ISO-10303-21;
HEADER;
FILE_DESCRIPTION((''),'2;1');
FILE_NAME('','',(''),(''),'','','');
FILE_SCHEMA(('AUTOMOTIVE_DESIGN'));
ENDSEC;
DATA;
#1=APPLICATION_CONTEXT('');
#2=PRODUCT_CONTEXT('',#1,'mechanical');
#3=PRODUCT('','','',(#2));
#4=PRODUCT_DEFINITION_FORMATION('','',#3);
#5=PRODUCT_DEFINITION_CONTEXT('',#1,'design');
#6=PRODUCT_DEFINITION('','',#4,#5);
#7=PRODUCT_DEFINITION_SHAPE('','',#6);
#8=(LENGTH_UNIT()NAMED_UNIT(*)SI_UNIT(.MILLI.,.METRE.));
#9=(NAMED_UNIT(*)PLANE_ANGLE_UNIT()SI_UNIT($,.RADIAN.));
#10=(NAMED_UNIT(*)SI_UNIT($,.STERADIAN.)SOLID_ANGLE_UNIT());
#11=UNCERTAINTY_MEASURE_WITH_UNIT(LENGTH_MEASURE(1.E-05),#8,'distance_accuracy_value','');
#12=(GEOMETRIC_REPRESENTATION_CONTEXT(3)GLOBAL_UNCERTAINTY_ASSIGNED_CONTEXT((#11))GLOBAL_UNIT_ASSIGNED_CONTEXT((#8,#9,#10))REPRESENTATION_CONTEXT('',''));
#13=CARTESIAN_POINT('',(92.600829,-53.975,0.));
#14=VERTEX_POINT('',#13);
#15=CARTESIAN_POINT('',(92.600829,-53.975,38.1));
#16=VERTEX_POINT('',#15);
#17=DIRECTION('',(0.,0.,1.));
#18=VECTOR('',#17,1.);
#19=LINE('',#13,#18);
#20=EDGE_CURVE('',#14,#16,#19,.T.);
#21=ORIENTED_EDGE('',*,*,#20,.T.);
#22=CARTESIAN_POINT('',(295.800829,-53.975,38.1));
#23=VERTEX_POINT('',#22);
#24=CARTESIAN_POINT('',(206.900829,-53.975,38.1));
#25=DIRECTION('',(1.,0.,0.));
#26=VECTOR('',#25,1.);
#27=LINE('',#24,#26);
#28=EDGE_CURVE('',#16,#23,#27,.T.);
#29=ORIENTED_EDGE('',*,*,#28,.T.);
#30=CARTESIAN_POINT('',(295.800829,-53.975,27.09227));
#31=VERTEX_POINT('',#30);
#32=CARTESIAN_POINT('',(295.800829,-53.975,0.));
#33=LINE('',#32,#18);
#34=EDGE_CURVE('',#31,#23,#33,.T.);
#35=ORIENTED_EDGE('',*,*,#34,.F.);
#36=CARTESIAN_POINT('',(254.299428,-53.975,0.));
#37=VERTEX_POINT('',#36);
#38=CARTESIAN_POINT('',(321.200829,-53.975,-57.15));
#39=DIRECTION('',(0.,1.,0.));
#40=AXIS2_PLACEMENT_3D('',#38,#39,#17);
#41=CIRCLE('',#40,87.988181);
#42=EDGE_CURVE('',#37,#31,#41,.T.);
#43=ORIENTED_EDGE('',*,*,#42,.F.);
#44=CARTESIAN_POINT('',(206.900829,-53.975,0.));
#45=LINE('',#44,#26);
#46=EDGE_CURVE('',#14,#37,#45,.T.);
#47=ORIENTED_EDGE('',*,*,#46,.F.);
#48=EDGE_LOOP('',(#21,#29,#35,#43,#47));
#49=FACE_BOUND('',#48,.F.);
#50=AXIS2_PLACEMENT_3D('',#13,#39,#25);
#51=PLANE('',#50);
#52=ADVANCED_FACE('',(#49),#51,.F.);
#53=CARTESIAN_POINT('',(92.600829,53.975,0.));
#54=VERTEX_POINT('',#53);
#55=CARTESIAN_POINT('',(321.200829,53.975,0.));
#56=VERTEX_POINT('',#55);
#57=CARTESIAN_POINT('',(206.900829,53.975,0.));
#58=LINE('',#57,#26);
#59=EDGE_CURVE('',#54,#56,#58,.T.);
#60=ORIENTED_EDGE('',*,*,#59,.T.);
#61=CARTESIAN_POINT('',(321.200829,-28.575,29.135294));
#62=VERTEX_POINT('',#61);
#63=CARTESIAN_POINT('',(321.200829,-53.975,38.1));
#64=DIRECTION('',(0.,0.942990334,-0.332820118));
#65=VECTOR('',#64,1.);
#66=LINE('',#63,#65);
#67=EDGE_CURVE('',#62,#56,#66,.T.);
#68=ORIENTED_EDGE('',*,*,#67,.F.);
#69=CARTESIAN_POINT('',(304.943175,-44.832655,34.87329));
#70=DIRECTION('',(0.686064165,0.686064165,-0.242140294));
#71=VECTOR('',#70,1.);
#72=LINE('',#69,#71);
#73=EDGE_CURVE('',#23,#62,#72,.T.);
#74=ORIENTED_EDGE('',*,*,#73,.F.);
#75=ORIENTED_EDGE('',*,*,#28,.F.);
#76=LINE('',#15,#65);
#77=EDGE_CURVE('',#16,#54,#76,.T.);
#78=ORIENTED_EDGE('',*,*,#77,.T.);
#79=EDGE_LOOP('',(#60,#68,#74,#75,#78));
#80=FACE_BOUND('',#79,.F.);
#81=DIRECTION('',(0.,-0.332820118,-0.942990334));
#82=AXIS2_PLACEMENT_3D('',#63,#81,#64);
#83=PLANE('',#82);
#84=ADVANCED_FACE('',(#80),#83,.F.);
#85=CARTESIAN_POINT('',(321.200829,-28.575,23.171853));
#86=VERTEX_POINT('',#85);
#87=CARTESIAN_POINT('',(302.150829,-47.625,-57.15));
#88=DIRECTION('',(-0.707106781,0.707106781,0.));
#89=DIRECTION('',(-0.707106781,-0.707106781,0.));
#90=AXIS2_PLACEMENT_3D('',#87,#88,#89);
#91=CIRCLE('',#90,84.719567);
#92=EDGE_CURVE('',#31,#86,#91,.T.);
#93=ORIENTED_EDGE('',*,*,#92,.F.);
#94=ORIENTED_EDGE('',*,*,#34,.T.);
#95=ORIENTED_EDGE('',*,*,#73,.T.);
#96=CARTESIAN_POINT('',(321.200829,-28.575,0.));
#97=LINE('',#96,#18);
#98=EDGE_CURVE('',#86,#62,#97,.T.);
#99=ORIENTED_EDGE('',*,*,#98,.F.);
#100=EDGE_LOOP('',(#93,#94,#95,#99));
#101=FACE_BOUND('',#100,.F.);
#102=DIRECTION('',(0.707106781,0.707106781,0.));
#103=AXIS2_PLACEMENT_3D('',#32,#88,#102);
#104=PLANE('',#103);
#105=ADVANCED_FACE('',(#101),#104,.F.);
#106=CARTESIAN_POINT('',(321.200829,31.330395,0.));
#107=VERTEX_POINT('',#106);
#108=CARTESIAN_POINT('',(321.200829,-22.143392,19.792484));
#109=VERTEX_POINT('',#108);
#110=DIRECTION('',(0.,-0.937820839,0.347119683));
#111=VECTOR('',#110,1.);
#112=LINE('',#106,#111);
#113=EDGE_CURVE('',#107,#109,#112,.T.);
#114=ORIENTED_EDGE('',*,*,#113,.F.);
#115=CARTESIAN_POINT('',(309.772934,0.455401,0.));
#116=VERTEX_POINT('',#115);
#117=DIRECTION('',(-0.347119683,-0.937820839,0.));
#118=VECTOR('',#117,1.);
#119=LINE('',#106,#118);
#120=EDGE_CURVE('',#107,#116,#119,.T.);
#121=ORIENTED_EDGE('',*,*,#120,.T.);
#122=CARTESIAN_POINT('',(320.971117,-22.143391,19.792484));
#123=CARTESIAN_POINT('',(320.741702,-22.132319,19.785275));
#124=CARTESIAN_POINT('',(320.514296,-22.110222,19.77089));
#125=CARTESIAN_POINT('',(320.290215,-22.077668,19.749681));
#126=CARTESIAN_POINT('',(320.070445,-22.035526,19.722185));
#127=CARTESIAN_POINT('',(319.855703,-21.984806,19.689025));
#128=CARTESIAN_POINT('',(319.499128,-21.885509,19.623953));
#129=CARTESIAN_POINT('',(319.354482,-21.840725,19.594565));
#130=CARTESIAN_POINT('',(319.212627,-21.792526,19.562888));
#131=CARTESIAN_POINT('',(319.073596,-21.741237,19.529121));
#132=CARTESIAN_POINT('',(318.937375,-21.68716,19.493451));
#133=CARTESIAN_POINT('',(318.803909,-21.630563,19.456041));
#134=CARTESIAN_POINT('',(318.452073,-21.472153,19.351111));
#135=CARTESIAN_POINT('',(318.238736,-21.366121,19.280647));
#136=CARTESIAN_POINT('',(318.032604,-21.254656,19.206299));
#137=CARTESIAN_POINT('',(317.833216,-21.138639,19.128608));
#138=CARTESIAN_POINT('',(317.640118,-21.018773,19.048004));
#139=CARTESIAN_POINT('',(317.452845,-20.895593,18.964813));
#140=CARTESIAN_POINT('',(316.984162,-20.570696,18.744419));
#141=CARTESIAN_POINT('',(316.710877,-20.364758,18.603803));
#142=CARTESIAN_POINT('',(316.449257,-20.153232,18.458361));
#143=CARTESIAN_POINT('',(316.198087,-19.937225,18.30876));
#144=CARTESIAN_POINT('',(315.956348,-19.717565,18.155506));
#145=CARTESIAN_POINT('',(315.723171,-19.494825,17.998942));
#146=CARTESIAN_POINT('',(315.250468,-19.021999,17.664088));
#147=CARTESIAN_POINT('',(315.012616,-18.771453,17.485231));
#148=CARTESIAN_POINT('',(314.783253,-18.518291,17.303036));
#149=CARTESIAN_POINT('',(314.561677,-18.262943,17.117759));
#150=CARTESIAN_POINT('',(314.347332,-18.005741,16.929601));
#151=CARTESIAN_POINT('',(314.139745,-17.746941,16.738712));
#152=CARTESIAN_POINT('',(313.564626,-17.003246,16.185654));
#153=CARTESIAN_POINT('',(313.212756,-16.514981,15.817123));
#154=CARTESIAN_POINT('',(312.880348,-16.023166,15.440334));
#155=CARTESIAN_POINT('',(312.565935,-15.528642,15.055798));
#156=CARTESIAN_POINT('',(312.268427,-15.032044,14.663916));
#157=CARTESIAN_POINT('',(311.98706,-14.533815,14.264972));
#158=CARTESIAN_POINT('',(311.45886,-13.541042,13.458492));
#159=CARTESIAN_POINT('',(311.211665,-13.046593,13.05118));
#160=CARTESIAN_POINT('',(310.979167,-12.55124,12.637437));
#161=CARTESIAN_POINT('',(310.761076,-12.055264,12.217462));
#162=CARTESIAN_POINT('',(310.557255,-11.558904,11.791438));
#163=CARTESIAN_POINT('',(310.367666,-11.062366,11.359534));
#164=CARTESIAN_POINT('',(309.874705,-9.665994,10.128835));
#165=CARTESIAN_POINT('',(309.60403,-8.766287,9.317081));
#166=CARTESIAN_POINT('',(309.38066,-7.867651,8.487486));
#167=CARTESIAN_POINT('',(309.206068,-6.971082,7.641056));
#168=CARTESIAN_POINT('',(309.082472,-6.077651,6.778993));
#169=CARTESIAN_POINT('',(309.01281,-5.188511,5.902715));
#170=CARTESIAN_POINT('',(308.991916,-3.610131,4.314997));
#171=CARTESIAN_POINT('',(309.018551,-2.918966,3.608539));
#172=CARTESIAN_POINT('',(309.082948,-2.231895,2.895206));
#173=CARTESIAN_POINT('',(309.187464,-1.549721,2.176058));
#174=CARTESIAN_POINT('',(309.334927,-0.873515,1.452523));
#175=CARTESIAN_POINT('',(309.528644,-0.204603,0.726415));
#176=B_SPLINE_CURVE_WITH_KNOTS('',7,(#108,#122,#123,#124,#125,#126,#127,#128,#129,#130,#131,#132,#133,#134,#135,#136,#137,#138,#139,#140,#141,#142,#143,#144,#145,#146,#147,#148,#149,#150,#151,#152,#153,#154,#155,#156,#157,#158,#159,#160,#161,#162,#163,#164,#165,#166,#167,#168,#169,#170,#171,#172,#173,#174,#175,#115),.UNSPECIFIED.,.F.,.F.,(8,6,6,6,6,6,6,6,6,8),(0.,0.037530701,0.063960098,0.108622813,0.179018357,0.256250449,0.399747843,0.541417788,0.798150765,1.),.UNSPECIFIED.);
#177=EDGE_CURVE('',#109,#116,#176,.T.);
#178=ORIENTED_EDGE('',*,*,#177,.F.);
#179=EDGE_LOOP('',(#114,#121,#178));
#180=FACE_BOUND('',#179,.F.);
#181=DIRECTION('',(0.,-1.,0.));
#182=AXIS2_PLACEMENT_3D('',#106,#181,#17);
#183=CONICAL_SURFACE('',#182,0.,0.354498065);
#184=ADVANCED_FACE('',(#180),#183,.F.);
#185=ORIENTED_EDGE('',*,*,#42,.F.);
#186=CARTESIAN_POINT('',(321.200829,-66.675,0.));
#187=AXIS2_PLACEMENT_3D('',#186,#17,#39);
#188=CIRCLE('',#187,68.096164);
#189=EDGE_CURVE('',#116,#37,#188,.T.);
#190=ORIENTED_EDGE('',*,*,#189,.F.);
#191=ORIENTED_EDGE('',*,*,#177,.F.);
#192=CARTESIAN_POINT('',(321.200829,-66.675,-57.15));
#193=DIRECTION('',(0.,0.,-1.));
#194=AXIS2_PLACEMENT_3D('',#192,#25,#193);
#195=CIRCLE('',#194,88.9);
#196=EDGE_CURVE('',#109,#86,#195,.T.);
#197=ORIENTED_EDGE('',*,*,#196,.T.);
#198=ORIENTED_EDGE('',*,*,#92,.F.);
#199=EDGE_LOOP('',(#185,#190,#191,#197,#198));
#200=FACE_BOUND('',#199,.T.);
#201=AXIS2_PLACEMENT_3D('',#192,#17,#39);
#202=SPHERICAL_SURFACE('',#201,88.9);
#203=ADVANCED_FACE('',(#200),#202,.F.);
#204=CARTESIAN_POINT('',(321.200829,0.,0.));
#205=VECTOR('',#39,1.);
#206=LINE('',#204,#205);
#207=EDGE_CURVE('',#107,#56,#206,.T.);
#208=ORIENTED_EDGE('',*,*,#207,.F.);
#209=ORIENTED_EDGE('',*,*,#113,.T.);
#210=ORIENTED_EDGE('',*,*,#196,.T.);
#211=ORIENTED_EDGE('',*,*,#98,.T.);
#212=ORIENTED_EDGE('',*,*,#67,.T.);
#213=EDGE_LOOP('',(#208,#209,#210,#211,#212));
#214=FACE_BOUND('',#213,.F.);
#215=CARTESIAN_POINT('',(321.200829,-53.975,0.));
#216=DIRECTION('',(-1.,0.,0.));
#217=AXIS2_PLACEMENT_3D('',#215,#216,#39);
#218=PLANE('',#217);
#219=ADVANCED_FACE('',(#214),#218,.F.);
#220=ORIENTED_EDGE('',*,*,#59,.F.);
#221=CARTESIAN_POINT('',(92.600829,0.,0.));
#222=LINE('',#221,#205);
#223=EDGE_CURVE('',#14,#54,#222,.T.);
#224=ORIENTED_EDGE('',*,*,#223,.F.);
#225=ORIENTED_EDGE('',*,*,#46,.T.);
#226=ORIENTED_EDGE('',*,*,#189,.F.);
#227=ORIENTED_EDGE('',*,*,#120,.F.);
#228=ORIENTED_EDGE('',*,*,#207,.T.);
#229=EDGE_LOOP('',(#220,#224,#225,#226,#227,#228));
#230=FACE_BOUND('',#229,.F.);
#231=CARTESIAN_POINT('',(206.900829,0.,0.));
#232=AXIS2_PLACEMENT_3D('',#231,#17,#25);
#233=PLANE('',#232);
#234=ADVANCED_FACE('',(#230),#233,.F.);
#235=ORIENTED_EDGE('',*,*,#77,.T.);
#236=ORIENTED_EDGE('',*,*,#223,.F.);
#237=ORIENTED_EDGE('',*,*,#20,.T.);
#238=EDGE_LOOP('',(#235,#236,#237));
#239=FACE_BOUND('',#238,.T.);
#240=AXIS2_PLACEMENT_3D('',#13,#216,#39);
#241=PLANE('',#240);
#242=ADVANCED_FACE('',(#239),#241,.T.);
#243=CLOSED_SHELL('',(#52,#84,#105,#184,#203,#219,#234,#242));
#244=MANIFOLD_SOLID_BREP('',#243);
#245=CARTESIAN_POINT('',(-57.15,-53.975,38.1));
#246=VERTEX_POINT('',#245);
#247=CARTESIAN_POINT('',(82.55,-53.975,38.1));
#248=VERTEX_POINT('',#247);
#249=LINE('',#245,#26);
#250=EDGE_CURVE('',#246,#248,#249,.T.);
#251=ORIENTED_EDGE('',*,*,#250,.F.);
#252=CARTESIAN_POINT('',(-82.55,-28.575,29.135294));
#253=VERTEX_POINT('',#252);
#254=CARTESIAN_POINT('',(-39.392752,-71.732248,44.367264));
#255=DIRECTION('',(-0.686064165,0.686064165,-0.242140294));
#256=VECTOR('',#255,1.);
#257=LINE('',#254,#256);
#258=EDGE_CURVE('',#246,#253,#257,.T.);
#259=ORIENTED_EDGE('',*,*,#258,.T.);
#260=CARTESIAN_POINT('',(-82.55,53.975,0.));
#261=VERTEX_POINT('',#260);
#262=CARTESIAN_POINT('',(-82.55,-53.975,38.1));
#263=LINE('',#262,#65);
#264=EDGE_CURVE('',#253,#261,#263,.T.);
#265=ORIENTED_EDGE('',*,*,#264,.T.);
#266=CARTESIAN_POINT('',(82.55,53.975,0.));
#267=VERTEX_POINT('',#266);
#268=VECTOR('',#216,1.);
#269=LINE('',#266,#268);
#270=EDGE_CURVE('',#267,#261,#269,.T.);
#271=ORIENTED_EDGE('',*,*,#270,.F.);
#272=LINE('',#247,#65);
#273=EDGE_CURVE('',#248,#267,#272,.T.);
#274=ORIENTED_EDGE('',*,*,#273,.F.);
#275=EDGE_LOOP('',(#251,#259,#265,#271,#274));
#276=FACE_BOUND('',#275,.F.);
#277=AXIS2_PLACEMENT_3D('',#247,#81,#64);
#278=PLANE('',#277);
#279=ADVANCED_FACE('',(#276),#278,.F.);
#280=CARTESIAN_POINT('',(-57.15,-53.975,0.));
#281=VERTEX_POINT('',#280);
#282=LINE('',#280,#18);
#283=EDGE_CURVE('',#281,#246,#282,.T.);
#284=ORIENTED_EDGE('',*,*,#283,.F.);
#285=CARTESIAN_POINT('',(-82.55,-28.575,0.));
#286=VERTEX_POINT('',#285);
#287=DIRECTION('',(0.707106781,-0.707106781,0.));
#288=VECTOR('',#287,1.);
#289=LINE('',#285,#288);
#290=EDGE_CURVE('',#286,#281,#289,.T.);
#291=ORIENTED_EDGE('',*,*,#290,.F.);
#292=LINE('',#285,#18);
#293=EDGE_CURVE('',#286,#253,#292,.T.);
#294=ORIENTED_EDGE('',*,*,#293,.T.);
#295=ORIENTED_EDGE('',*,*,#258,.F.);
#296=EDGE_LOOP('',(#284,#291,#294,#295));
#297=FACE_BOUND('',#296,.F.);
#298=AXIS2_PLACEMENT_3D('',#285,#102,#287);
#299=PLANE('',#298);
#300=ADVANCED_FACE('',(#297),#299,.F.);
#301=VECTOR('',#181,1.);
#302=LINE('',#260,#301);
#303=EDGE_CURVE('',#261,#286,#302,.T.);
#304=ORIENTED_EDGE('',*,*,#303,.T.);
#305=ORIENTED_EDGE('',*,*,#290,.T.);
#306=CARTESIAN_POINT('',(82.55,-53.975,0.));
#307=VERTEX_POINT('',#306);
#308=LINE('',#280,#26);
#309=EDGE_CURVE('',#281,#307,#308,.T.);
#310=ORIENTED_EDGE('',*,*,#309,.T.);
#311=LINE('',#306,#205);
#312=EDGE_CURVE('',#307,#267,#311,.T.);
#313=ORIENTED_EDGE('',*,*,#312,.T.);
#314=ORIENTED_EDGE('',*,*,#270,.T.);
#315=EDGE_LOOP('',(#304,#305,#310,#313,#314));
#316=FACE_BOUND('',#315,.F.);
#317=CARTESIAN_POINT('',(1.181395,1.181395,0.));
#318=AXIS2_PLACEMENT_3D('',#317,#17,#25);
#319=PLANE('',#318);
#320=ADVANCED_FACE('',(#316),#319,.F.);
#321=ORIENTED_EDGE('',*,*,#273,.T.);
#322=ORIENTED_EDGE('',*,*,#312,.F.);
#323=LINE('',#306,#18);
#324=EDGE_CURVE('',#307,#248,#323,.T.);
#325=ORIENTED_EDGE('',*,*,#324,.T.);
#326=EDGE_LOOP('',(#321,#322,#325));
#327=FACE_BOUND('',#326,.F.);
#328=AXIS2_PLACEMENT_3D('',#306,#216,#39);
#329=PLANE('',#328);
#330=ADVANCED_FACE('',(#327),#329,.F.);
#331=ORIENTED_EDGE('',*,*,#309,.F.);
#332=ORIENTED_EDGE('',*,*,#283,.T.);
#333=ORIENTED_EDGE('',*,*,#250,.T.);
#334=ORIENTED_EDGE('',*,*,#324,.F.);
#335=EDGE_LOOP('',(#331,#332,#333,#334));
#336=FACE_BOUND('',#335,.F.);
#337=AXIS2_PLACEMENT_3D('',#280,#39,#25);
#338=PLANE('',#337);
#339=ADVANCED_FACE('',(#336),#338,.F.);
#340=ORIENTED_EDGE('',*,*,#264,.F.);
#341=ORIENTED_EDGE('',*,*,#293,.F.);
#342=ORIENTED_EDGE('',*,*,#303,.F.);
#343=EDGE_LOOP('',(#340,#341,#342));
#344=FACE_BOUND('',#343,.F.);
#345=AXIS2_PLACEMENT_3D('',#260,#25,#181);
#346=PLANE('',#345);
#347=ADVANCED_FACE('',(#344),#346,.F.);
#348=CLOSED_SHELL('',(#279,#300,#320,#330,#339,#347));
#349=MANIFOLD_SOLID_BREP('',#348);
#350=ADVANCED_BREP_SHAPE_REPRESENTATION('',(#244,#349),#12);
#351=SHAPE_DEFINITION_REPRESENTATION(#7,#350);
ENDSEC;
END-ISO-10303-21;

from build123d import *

# Parameters (mm, degrees)
F1_DEPTH  = 38.1
F3_DEPTH  = 165.1
F4_W      = 228.6
F4_H      = 107.95
F5_DEPTH  = 38.1
F7_DEPTH  = 228.6
F13_DEPTH = 101.6


with BuildPart() as f1:
    # F0 (on Top) → F1 (new body)
    with BuildSketch(Plane.XY):
        Polygon((82.55, 53.975), (-82.55, 53.975), (-82.55, -28.575), (-57.15, -28.575), (-57.15, -53.975), (82.55, -53.975), align=None)
        Polygon((-57.15, -28.575), (-82.55, -28.575), (-57.15, -53.975), align=None)
    extrude(amount=F1_DEPTH)

    # F2 (on face) → F3 (cut, through all)
    with BuildSketch(Plane.YZ.offset(82.55)):
        Polygon((-53.975, 38.1), (53.975, 0), (53.975, 38.1), align=None)
    extrude(amount=-F3_DEPTH, mode=Mode.SUBTRACT)


with BuildPart() as f5:
    # F4 (on Top) → F5 (new body)
    with BuildSketch(Plane.XY):
        with Locations((206.9008294222, 0)):
            Rectangle(F4_W, F4_H)
    extrude(amount=F5_DEPTH)

    # F6 (on face) → F7 (cut, through all)
    with BuildSketch(Plane.YZ.offset(321.2008294222)):
        Polygon((-53.975, 38.1), (53.975, 0), (53.975, 38.1), align=None)
    extrude(amount=-F7_DEPTH, mode=Mode.SUBTRACT)

    # F8 (on face) → F9 (revolve, cut)
    with BuildSketch(Plane.YZ.offset(321.2008294222)):
        with BuildLine():
            ThreePointArc((-53.975, 30.8381810245), (-60.3086546229, 31.5217522469), (-66.675, 31.75))
            Line((-66.675, 31.75), (-66.675, -146.05))
            ThreePointArc((-66.675, -146.05), (-3.8132071525, -120.0117928475), (22.225, -57.15))
            ThreePointArc((22.225, -57.15), (16.8622939051, -26.7406177798), (1.4211636218, 0))
            Line((1.4211636218, 0), (-53.975, 0))
            Line((-53.975, 0), (-53.975, 30.8381810245))
        make_face()
        with BuildLine():
            ThreePointArc((1.4211636218, 0), (-23.4343551595, 20.5253283468), (-53.975, 30.8381810245))
            Line((-53.975, 30.8381810245), (-53.975, 0))
            Line((-53.975, 0), (1.4211636218, 0))
        make_face()
    revolve(axis=Axis((321.2008294222, -66.675, -57.15), (0, 0, -1)), mode=Mode.SUBTRACT)

    # F10 (on face) → F11 (revolve, cut)
    with BuildSketch(Plane.YZ.offset(321.2008294222)):
        with BuildLine():
            Line((31.3303954899, 0), (-22.1433918333, 19.7924841949))
            ThreePointArc((-22.1433918333, 19.7924841949), (-9.4981746932, 10.9236413587), (1.4211636217, 0))
            Line((1.4211636217, 0), (31.3303954899, 0))
        make_face()
        with BuildLine():
            ThreePointArc((1.4211636217, 0), (-9.4981746932, 10.9236413587), (-22.1433918333, 19.7924841949))
            Line((-22.1433918333, 19.7924841949), (-22.1433918333, 0))
            Line((-22.1433918333, 0), (1.4211636217, 0))
        make_face()
    revolve(axis=Axis((321.2008294222, 4.5935018283, 0), (0, -1, 0)), mode=Mode.SUBTRACT)

    # F12 (on face) → F13 (cut)
    with BuildSketch(Plane(origin=(0, 0, 0), x_dir=(1, 0, 0), z_dir=(0, 0, -1))):
        Polygon((321.2008294222, 28.575), (321.2008294222, 53.975), (295.8008294222, 53.975), align=None)
    extrude(amount=-F13_DEPTH, mode=Mode.SUBTRACT)


solid = Compound([f1.part, f5.part])
